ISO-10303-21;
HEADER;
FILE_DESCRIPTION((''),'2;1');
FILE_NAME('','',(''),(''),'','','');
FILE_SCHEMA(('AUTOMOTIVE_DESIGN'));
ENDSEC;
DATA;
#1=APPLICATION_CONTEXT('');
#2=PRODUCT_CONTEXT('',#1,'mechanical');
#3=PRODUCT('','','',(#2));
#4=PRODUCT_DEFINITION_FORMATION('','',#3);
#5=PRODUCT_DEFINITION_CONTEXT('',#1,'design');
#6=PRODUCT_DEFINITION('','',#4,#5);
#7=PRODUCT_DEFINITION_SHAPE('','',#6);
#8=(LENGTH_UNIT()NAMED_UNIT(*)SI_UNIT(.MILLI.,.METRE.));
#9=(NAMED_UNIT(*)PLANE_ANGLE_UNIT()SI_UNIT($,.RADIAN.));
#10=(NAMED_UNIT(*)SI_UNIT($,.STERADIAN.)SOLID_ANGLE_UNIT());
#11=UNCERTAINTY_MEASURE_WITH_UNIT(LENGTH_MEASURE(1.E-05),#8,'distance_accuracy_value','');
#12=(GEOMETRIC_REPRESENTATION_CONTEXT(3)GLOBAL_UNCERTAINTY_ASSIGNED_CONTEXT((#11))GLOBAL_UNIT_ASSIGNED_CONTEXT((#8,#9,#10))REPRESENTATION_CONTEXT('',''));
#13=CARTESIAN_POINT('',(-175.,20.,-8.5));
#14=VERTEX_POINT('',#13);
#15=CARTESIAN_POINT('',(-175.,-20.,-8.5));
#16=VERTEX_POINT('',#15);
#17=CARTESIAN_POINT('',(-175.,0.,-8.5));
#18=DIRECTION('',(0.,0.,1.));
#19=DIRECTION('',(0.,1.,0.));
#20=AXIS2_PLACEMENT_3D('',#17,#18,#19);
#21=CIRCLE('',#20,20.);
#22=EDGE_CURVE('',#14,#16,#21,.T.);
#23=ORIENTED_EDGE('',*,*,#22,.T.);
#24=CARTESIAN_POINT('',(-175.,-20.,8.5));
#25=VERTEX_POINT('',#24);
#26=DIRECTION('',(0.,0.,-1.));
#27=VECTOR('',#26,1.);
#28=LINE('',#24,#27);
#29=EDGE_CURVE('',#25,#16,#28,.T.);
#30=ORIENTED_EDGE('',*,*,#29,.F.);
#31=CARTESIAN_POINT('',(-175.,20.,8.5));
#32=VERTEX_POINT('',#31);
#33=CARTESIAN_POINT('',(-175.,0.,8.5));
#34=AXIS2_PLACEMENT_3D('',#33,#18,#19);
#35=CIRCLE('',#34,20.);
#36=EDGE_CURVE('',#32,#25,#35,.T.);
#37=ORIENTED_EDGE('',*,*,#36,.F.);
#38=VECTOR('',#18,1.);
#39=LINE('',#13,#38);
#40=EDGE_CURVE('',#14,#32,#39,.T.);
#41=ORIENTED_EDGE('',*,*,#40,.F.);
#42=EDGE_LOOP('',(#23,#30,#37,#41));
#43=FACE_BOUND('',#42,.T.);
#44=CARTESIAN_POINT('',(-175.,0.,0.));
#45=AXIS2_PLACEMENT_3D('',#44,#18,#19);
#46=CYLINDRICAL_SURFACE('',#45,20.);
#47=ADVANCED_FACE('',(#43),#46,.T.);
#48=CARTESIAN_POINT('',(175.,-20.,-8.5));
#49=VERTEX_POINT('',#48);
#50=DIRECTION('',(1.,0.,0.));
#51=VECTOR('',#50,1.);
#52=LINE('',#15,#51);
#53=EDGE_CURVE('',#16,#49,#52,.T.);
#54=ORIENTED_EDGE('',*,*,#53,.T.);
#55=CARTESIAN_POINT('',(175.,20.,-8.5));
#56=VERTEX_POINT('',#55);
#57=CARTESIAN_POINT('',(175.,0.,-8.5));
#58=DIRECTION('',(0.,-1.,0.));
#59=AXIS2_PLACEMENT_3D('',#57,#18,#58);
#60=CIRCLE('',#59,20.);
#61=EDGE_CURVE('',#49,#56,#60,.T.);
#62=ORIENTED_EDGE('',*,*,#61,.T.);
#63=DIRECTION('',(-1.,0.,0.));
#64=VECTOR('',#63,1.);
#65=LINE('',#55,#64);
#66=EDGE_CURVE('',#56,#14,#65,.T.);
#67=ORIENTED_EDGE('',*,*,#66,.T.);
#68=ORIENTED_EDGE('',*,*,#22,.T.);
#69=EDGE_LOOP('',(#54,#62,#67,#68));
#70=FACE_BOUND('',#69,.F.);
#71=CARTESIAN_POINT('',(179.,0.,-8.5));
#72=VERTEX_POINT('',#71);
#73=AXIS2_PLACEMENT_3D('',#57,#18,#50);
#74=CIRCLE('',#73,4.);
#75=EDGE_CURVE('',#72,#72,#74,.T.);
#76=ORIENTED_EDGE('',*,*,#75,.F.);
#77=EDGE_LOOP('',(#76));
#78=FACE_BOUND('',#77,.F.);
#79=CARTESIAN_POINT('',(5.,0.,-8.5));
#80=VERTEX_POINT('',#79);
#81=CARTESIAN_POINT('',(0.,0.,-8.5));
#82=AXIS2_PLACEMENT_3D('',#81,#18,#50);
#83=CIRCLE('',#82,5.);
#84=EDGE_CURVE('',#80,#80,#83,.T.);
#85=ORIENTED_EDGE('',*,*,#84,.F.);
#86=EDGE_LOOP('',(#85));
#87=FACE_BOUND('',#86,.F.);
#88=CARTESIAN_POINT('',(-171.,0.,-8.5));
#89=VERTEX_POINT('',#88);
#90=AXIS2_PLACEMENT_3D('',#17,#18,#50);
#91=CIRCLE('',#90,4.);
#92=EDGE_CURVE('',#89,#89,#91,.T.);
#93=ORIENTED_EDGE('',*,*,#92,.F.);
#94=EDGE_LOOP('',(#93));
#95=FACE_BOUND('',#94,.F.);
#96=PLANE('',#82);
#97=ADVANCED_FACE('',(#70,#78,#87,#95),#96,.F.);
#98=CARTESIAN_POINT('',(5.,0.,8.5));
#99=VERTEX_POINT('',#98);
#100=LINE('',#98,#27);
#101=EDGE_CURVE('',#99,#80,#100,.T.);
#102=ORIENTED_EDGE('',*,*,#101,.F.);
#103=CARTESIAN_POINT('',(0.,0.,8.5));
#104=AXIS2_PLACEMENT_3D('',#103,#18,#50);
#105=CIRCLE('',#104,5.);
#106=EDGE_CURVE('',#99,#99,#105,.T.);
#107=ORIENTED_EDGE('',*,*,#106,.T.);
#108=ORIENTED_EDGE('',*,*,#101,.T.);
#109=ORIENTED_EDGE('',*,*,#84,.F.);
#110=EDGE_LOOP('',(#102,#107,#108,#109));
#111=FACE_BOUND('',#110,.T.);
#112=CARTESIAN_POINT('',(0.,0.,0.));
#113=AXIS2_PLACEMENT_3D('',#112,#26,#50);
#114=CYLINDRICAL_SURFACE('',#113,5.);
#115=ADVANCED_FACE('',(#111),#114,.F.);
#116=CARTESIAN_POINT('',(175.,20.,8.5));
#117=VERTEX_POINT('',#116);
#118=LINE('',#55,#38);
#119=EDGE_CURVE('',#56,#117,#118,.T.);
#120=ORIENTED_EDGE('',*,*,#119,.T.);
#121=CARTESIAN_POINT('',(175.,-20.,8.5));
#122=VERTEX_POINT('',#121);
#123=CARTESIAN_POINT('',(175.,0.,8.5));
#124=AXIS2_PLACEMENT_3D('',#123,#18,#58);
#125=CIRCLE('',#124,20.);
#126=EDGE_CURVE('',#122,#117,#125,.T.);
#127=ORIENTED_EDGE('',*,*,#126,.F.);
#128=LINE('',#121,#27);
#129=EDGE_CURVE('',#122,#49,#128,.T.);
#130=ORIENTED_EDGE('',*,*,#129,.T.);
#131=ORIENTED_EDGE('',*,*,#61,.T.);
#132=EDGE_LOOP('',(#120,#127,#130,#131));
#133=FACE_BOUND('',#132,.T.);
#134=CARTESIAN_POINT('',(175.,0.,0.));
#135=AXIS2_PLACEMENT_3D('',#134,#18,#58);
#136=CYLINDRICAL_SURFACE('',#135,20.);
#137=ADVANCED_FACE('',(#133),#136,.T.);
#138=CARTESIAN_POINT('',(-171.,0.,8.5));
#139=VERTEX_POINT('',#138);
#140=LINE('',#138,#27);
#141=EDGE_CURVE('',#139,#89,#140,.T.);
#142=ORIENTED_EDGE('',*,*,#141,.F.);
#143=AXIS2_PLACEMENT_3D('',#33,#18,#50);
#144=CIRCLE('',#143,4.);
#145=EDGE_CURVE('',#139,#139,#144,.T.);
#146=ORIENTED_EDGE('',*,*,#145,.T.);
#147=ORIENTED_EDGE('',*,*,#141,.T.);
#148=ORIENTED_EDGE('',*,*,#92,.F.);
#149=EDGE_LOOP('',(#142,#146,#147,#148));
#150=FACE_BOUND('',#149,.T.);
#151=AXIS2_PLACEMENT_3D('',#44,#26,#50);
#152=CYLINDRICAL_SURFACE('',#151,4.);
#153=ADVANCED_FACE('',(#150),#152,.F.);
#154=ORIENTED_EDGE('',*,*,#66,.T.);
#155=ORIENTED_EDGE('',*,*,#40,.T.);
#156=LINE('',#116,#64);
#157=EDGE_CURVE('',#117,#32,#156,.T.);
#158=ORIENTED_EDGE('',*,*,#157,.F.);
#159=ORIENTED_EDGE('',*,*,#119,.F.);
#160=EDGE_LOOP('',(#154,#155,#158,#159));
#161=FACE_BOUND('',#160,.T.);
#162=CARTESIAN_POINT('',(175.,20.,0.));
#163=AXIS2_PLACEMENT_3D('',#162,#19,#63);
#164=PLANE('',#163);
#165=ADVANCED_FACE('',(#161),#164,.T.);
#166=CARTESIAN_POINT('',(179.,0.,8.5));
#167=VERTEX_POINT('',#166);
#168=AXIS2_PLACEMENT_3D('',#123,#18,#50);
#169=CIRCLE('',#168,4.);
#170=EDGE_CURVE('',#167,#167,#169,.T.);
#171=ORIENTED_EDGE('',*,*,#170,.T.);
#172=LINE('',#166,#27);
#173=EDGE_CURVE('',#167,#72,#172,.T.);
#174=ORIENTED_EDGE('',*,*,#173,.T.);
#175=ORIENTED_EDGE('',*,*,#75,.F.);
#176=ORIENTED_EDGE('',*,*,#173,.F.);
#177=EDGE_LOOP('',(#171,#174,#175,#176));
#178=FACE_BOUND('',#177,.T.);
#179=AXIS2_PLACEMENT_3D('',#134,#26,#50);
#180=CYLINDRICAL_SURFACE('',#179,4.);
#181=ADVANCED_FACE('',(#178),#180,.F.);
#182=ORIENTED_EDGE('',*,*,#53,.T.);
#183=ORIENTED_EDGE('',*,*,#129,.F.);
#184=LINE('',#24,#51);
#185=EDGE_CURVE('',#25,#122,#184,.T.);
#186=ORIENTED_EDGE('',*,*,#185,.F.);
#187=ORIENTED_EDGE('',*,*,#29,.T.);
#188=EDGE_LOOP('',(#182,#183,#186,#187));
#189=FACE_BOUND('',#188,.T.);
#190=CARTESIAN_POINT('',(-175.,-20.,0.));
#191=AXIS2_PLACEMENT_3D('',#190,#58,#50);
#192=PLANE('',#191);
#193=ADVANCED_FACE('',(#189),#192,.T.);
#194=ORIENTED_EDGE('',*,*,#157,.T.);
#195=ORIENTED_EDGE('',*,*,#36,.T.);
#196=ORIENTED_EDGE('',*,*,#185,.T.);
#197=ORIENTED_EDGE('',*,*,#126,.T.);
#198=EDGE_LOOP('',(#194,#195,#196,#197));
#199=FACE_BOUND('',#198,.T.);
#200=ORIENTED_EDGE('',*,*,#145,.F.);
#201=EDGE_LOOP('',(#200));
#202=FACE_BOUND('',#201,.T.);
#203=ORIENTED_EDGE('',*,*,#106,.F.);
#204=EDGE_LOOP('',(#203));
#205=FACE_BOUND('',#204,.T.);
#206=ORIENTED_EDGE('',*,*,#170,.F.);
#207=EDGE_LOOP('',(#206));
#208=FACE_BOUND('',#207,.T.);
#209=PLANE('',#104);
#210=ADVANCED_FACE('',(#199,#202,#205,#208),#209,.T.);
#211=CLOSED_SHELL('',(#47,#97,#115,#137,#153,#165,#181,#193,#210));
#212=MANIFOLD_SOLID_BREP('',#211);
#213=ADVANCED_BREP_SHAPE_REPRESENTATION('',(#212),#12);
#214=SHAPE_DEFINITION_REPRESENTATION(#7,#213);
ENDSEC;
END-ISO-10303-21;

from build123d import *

# Parameters (mm, degrees)
F0_R     = 4
F0_R_2   = 5
F1_DEPTH = 8.5


with BuildPart() as f1:
    # F0 (on Top) → F1 (new body, symmetric)
    with BuildSketch(Plane.XY):
        with BuildLine():
            ThreePointArc((175, -20), (195, 0), (175, 20))
            Line((175, 20), (-175, 20))
            ThreePointArc((-175, 20), (-195, 0), (-175, -20))
            Line((-175, -20), (175, -20))
        make_face()
        with Locations((-175, 0)):
            Circle(F0_R, mode=Mode.SUBTRACT)
        Circle(F0_R_2, mode=Mode.SUBTRACT)
        with Locations((175, 0)):
            Circle(F0_R, mode=Mode.SUBTRACT)
    extrude(amount=F1_DEPTH, both=True)


solid = f1.part
